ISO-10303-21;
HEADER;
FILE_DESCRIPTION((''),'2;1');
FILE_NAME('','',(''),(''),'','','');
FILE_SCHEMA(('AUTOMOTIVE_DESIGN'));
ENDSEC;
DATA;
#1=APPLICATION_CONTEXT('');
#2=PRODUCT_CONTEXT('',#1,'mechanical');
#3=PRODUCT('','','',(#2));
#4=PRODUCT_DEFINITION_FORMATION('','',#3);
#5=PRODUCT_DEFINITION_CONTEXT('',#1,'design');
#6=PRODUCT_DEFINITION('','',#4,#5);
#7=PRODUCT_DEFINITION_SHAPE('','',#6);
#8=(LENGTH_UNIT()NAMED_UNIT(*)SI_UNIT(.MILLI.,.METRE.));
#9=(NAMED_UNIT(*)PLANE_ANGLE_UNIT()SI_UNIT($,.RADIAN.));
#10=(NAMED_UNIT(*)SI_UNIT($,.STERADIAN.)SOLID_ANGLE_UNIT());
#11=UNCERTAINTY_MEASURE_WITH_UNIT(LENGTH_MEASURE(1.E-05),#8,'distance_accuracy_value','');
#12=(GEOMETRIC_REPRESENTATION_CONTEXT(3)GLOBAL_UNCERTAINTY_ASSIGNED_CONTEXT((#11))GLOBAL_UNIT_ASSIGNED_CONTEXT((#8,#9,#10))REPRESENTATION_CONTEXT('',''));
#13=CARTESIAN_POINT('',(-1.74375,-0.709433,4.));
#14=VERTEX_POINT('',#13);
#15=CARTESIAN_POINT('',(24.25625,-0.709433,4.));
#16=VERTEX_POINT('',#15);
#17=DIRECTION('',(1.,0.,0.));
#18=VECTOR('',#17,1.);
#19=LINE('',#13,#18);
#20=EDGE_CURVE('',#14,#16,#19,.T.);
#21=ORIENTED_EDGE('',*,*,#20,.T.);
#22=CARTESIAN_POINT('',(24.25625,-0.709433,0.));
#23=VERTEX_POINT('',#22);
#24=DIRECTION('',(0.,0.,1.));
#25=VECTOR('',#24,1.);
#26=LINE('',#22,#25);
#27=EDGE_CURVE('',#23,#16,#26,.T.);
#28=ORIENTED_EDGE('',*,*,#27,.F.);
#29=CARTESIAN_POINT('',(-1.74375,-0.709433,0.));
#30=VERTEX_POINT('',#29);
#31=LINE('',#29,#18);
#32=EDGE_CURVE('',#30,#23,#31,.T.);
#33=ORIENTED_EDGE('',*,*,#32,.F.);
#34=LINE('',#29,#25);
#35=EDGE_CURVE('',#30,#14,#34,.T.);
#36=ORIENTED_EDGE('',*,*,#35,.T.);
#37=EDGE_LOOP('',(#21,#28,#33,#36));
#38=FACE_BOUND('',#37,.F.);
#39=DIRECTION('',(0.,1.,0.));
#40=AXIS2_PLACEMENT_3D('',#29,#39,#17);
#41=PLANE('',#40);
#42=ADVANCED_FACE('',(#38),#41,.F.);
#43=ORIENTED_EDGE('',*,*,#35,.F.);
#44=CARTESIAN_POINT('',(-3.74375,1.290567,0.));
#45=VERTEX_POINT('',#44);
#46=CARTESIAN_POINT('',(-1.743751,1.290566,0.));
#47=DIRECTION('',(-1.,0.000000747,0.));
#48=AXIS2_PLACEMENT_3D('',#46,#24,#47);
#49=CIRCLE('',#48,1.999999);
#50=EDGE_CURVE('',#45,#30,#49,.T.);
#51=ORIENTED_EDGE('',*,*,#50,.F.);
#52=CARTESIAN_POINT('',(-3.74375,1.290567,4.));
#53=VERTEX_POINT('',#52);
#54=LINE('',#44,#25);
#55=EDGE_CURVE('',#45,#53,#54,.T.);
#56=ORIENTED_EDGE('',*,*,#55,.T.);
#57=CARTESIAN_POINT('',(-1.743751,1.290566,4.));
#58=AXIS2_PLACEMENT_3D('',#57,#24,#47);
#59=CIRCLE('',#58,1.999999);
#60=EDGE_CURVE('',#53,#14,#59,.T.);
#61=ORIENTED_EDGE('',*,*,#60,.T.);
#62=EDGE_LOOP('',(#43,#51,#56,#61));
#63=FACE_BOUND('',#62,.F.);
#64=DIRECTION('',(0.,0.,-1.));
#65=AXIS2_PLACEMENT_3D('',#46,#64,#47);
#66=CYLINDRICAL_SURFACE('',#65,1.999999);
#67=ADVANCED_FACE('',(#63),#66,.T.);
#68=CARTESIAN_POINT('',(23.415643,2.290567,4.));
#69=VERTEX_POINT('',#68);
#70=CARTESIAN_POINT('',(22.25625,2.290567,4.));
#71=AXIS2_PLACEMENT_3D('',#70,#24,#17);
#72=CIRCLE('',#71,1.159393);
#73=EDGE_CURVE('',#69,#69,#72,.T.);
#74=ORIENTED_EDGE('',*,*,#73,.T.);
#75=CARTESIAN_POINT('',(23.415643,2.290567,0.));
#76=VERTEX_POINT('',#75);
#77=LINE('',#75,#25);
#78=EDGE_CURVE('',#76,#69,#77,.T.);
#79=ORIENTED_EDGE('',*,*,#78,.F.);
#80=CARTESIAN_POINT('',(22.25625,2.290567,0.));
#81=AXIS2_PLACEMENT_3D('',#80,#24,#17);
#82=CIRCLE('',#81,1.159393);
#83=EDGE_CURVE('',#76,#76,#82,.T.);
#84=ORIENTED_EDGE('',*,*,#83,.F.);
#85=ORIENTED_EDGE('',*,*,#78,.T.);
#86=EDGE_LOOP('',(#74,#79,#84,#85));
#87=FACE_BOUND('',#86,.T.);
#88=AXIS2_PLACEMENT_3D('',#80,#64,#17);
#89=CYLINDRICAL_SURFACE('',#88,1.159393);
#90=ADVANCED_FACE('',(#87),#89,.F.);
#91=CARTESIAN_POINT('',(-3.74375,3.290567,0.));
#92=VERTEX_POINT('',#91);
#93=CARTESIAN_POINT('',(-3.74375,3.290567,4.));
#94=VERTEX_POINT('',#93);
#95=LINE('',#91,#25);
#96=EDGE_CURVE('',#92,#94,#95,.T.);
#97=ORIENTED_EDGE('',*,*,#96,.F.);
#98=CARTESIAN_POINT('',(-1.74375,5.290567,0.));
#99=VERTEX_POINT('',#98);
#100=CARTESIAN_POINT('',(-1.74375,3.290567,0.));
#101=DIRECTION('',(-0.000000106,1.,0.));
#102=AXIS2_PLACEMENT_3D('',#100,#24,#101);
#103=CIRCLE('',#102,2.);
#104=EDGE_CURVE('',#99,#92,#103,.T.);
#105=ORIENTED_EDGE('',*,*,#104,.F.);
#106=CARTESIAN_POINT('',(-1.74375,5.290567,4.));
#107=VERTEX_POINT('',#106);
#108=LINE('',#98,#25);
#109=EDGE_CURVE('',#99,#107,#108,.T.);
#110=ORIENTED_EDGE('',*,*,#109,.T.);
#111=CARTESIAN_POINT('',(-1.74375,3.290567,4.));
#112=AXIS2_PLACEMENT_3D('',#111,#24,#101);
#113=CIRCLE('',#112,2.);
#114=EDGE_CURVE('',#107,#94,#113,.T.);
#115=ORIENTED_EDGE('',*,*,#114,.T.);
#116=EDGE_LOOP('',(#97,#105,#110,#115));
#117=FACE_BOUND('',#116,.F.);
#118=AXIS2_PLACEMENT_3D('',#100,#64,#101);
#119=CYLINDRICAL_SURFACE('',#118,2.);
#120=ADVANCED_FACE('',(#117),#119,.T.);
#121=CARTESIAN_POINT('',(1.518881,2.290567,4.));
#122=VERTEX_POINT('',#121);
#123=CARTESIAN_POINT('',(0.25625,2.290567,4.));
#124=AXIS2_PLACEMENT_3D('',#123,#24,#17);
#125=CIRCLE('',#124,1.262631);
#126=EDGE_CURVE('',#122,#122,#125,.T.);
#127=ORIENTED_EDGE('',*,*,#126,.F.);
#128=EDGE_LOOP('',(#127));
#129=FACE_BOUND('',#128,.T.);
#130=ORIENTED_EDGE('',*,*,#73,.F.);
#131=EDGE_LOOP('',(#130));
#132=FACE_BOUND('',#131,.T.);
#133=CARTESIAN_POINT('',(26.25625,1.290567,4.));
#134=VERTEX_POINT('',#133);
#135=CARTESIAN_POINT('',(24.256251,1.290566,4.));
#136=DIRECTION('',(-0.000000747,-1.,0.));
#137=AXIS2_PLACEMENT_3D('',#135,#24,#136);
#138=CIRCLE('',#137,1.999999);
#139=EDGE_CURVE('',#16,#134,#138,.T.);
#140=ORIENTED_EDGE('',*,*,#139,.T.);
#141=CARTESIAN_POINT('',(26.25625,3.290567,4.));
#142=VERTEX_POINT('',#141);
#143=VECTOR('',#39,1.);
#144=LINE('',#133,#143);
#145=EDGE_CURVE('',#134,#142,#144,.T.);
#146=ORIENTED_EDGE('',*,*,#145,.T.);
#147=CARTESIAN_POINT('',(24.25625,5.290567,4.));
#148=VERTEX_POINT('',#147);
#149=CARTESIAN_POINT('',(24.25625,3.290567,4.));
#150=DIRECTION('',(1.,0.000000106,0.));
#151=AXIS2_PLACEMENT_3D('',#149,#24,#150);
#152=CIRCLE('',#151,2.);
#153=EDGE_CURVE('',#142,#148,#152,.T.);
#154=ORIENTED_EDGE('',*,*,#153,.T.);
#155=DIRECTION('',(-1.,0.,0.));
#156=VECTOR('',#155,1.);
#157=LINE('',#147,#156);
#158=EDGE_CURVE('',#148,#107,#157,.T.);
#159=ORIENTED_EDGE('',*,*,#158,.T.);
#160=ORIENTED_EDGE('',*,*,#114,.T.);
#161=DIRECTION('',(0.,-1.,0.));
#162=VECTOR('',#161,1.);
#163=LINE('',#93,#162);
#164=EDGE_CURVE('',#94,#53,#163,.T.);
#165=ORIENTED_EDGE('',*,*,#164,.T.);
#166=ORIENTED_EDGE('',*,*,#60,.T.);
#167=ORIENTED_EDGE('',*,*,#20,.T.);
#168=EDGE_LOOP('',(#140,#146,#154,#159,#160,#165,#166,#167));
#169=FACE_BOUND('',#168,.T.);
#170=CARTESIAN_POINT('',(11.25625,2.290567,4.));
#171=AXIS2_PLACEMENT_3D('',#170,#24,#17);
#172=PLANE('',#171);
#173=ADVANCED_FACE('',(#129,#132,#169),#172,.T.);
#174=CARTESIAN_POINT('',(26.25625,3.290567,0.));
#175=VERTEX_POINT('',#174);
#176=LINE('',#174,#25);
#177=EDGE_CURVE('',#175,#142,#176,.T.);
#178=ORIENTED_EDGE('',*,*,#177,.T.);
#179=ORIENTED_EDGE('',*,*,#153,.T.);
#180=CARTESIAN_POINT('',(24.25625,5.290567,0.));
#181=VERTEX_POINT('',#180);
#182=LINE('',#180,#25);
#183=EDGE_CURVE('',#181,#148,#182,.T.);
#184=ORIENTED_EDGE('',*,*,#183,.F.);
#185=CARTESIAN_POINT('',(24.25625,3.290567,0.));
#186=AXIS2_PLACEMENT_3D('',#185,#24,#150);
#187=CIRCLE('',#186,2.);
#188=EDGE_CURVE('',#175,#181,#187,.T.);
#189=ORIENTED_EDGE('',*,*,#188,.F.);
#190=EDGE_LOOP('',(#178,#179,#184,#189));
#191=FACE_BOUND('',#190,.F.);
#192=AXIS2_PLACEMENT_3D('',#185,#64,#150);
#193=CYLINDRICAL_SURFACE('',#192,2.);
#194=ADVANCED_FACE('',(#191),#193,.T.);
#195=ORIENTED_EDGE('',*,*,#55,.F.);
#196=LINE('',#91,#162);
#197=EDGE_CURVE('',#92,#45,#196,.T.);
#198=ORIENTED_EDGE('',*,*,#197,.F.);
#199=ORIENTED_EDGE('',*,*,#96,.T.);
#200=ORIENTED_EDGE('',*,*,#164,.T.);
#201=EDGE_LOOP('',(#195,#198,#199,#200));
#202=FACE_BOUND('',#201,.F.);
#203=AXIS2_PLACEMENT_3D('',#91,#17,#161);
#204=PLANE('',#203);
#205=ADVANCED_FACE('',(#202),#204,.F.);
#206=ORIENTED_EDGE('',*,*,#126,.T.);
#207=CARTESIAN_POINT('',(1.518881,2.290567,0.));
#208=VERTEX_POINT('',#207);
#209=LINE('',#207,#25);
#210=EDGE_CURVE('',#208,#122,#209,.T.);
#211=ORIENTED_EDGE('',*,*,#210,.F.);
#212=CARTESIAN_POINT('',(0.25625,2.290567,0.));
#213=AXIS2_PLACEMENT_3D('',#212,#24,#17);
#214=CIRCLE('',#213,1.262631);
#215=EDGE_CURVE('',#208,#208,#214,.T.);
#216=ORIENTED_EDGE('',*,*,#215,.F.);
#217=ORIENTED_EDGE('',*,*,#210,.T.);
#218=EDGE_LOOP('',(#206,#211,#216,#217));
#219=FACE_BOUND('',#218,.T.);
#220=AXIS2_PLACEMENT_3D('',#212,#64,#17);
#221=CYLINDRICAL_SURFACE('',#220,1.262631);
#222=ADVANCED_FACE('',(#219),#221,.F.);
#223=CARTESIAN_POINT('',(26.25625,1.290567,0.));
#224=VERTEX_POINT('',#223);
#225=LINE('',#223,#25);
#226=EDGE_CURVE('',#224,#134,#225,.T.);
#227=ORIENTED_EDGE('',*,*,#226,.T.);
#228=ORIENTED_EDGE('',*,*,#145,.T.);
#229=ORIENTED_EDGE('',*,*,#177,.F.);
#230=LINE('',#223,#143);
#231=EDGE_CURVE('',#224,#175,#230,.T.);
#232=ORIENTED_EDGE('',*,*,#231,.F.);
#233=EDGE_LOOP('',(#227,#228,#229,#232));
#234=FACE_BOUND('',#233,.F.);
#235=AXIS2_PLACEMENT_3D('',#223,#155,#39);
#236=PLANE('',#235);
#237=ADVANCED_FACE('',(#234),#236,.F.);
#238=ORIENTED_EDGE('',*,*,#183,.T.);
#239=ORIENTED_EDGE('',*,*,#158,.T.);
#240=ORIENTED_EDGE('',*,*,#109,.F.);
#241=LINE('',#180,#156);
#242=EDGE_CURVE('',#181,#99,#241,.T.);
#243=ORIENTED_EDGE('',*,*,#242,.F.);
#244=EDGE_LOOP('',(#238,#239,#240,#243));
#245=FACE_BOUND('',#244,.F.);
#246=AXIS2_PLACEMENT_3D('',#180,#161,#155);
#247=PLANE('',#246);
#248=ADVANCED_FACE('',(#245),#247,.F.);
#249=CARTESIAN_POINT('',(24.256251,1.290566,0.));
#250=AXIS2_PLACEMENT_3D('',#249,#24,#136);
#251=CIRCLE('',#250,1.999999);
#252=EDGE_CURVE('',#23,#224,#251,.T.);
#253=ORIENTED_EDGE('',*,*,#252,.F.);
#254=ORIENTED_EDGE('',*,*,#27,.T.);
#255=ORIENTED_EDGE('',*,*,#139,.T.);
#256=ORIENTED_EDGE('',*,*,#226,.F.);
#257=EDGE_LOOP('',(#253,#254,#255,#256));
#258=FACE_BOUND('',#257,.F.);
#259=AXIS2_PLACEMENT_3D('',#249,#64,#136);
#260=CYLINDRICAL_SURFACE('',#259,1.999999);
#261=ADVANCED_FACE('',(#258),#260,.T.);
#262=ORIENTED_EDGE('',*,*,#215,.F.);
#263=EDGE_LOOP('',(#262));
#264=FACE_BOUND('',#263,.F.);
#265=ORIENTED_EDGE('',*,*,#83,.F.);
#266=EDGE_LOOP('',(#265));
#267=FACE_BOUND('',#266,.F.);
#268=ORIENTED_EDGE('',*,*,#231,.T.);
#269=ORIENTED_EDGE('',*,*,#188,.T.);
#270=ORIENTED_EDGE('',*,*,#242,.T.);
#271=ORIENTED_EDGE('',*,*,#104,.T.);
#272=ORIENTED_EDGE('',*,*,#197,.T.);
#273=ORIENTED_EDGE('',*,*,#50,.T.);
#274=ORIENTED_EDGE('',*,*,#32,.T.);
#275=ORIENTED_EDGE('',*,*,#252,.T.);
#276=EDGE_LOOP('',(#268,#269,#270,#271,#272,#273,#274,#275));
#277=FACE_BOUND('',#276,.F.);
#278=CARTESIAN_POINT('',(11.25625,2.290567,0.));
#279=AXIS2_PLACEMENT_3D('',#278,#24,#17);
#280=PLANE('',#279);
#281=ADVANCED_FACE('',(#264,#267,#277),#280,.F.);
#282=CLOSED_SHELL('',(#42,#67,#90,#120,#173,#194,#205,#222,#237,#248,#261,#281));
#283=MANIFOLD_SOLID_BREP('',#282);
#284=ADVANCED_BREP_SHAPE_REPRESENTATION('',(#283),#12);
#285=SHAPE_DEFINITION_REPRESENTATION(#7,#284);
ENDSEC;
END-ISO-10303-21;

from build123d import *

# Parameters (mm, degrees)
F0_R     = 1.262631
F0_R_2   = 1.159393
F1_DEPTH = 4


with BuildPart() as f1:
    # F0 (on Top) → F1 (new body)
    with BuildSketch(Plane.XY):
        with BuildLine():
            Line((24.25625, 5.290567), (-1.74375, 5.290567))
            ThreePointArc((-1.74375, 5.290567), (-3.157964, 4.70478), (-3.74375, 3.290567))
            Line((-3.74375, 3.290567), (-3.74375, 1.290567))
            ThreePointArc((-3.74375, 1.290567), (-3.157964, -0.123647), (-1.74375, -0.709433))
            Line((-1.74375, -0.709433), (24.25625, -0.709433))
            ThreePointArc((24.25625, -0.709433), (25.670464, -0.123647), (26.25625, 1.290567))
            Line((26.25625, 1.290567), (26.25625, 3.290567))
            ThreePointArc((26.25625, 3.290567), (25.670464, 4.70478), (24.25625, 5.290567))
        make_face()
        with Locations((0.25625, 2.290567)):
            Circle(F0_R, mode=Mode.SUBTRACT)
        with Locations((22.25625, 2.290567)):
            Circle(F0_R_2, mode=Mode.SUBTRACT)
    extrude(amount=F1_DEPTH)


solid = f1.part
